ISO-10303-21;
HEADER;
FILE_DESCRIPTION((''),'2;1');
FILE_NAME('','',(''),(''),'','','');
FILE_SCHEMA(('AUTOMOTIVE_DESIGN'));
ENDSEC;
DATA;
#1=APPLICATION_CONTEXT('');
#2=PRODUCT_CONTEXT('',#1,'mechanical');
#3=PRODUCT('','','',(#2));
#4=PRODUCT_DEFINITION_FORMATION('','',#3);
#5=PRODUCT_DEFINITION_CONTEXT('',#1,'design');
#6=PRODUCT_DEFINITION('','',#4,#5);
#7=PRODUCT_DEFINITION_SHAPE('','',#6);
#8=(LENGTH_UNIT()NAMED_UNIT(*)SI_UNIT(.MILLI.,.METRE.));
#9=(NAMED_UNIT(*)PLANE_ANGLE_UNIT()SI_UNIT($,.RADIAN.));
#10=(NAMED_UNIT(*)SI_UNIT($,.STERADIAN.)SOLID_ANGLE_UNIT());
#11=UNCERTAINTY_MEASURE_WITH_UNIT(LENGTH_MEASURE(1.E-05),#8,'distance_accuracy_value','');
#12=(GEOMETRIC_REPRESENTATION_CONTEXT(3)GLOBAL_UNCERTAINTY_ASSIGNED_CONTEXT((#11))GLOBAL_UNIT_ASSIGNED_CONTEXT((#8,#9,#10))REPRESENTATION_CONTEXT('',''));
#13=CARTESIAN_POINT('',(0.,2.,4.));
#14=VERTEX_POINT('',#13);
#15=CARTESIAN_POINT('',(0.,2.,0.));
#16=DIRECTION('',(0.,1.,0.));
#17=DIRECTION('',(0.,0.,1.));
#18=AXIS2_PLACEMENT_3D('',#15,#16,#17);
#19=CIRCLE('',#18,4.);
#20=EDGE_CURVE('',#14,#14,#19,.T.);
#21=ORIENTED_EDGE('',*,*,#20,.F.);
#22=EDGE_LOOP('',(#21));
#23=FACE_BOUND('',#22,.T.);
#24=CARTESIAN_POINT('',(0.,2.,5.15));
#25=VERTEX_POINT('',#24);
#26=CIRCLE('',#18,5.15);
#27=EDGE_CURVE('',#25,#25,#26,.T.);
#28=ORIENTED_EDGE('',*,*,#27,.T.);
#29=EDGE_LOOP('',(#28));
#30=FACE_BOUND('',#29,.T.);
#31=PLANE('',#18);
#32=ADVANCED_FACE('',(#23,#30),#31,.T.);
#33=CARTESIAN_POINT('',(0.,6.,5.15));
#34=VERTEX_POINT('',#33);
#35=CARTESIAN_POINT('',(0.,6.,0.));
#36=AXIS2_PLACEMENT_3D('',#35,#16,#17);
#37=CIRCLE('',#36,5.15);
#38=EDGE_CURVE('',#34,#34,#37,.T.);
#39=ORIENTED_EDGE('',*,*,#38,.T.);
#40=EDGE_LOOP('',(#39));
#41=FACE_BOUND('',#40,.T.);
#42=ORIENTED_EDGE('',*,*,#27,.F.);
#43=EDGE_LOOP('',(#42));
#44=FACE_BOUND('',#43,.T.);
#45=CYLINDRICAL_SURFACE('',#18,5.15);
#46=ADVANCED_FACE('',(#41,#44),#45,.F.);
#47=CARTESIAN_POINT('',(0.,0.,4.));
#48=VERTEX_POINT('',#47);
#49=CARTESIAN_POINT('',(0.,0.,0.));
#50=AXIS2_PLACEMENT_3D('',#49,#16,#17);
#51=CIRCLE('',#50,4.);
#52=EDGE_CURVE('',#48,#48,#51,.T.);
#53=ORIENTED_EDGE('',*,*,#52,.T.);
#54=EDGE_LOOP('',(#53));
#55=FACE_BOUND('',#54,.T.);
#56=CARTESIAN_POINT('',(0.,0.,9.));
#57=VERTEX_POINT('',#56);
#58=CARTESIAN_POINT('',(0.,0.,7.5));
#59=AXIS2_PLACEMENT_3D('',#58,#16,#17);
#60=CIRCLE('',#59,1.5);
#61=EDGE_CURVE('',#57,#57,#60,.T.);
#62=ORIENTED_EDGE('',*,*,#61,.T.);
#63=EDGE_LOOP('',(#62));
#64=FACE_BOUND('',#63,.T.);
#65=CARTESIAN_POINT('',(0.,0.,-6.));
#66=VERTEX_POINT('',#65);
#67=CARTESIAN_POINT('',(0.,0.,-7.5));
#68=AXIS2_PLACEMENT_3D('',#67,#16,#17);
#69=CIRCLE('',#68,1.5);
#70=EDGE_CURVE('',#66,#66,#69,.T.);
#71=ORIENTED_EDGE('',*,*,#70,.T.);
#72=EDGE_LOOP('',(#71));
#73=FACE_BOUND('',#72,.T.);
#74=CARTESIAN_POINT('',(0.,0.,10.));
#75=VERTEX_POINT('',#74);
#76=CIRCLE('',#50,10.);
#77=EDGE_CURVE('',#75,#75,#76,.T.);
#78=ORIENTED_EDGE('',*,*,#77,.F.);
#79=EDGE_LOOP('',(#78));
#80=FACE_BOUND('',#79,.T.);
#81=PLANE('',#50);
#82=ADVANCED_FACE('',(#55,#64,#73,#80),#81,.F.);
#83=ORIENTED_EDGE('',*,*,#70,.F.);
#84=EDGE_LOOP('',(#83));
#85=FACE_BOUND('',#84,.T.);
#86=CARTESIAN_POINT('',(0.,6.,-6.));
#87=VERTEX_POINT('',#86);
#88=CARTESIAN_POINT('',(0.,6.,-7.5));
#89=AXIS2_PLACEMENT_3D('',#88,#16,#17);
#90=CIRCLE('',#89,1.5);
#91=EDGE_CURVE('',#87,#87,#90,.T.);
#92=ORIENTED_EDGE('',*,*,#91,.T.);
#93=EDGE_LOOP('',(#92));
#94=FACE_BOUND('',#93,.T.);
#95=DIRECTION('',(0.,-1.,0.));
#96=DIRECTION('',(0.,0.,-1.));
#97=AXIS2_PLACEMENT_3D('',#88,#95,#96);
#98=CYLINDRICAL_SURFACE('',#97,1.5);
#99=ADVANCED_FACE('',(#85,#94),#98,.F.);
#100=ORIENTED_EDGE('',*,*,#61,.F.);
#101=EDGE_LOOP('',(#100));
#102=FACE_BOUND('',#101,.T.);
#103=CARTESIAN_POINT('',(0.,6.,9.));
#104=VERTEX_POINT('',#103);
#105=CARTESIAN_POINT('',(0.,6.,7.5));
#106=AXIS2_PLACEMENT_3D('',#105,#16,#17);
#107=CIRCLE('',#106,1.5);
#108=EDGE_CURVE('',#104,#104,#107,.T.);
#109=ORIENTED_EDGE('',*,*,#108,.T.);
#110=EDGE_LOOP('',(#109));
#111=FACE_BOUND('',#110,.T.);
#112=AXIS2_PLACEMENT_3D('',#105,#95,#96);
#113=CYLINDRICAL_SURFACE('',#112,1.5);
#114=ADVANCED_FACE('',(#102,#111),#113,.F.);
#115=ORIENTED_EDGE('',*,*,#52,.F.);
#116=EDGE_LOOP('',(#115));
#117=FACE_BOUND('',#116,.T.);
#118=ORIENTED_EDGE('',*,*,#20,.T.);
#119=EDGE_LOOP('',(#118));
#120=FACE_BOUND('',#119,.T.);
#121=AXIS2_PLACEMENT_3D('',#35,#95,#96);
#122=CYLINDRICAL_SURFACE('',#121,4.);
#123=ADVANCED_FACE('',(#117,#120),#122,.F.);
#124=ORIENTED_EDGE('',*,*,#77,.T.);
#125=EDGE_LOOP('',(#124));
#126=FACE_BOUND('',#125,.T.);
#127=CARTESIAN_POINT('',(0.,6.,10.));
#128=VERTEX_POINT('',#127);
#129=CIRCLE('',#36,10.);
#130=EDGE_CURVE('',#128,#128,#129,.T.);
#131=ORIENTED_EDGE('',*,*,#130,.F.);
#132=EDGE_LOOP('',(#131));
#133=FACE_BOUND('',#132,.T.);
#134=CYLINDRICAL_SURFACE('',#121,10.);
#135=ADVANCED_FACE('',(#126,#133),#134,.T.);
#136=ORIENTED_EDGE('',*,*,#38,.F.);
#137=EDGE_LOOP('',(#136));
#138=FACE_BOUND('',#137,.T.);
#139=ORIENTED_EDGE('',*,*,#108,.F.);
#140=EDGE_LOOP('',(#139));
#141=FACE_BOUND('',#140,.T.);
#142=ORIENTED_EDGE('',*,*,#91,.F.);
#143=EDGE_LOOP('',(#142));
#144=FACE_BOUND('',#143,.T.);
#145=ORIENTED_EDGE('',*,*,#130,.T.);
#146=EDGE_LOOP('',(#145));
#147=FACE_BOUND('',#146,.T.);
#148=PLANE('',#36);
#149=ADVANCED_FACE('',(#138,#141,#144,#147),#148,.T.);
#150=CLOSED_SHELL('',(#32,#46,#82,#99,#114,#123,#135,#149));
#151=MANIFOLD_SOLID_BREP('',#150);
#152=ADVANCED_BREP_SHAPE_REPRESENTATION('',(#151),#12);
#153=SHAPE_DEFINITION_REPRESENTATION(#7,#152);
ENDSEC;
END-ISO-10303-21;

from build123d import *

# Parameters (mm, degrees)
SKETCH_1_R          = 10
SKETCH_1_R_2        = 1.5
SKETCH_1_R_3        = 4
EXTRUDE_1_DEPTH     = 6
SKETCH_2_R          = 5.15
CUT_EXTRUDE_1_DEPTH = 4


with BuildPart() as part:
    # Эскиз1 → Бобышка-Вытянуть1 (new body)
    with BuildSketch(Plane(origin=(0, 0, 0), x_dir=(1, 0, 0), z_dir=(0, 1, 0))):
        with Locations(Location((0, 0, 0), (0, 0, 270))):
            Circle(SKETCH_1_R)
        with Locations(Location((0, 7.5, 0), (0, 0, 270))):
            Circle(SKETCH_1_R_2, mode=Mode.SUBTRACT)
        with Locations(Location((0, -7.5, 0), (0, 0, 270))):
            Circle(SKETCH_1_R_2, mode=Mode.SUBTRACT)
        with Locations(Location((0, 0, 0), (0, 0, 270))):
            Circle(SKETCH_1_R_3, mode=Mode.SUBTRACT)
    extrude(amount=EXTRUDE_1_DEPTH)

    # Эскиз2 → Вырез-Вытянуть1 (cut)
    with BuildSketch(Plane(origin=(0, 6, 0), x_dir=(1, 0, 0), z_dir=(0, 1, 0))):
        with Locations(Location((0, 0, 0), (0, 0, 270))):
            Circle(SKETCH_2_R)
    extrude(amount=-CUT_EXTRUDE_1_DEPTH, mode=Mode.SUBTRACT)


solid = part.part
